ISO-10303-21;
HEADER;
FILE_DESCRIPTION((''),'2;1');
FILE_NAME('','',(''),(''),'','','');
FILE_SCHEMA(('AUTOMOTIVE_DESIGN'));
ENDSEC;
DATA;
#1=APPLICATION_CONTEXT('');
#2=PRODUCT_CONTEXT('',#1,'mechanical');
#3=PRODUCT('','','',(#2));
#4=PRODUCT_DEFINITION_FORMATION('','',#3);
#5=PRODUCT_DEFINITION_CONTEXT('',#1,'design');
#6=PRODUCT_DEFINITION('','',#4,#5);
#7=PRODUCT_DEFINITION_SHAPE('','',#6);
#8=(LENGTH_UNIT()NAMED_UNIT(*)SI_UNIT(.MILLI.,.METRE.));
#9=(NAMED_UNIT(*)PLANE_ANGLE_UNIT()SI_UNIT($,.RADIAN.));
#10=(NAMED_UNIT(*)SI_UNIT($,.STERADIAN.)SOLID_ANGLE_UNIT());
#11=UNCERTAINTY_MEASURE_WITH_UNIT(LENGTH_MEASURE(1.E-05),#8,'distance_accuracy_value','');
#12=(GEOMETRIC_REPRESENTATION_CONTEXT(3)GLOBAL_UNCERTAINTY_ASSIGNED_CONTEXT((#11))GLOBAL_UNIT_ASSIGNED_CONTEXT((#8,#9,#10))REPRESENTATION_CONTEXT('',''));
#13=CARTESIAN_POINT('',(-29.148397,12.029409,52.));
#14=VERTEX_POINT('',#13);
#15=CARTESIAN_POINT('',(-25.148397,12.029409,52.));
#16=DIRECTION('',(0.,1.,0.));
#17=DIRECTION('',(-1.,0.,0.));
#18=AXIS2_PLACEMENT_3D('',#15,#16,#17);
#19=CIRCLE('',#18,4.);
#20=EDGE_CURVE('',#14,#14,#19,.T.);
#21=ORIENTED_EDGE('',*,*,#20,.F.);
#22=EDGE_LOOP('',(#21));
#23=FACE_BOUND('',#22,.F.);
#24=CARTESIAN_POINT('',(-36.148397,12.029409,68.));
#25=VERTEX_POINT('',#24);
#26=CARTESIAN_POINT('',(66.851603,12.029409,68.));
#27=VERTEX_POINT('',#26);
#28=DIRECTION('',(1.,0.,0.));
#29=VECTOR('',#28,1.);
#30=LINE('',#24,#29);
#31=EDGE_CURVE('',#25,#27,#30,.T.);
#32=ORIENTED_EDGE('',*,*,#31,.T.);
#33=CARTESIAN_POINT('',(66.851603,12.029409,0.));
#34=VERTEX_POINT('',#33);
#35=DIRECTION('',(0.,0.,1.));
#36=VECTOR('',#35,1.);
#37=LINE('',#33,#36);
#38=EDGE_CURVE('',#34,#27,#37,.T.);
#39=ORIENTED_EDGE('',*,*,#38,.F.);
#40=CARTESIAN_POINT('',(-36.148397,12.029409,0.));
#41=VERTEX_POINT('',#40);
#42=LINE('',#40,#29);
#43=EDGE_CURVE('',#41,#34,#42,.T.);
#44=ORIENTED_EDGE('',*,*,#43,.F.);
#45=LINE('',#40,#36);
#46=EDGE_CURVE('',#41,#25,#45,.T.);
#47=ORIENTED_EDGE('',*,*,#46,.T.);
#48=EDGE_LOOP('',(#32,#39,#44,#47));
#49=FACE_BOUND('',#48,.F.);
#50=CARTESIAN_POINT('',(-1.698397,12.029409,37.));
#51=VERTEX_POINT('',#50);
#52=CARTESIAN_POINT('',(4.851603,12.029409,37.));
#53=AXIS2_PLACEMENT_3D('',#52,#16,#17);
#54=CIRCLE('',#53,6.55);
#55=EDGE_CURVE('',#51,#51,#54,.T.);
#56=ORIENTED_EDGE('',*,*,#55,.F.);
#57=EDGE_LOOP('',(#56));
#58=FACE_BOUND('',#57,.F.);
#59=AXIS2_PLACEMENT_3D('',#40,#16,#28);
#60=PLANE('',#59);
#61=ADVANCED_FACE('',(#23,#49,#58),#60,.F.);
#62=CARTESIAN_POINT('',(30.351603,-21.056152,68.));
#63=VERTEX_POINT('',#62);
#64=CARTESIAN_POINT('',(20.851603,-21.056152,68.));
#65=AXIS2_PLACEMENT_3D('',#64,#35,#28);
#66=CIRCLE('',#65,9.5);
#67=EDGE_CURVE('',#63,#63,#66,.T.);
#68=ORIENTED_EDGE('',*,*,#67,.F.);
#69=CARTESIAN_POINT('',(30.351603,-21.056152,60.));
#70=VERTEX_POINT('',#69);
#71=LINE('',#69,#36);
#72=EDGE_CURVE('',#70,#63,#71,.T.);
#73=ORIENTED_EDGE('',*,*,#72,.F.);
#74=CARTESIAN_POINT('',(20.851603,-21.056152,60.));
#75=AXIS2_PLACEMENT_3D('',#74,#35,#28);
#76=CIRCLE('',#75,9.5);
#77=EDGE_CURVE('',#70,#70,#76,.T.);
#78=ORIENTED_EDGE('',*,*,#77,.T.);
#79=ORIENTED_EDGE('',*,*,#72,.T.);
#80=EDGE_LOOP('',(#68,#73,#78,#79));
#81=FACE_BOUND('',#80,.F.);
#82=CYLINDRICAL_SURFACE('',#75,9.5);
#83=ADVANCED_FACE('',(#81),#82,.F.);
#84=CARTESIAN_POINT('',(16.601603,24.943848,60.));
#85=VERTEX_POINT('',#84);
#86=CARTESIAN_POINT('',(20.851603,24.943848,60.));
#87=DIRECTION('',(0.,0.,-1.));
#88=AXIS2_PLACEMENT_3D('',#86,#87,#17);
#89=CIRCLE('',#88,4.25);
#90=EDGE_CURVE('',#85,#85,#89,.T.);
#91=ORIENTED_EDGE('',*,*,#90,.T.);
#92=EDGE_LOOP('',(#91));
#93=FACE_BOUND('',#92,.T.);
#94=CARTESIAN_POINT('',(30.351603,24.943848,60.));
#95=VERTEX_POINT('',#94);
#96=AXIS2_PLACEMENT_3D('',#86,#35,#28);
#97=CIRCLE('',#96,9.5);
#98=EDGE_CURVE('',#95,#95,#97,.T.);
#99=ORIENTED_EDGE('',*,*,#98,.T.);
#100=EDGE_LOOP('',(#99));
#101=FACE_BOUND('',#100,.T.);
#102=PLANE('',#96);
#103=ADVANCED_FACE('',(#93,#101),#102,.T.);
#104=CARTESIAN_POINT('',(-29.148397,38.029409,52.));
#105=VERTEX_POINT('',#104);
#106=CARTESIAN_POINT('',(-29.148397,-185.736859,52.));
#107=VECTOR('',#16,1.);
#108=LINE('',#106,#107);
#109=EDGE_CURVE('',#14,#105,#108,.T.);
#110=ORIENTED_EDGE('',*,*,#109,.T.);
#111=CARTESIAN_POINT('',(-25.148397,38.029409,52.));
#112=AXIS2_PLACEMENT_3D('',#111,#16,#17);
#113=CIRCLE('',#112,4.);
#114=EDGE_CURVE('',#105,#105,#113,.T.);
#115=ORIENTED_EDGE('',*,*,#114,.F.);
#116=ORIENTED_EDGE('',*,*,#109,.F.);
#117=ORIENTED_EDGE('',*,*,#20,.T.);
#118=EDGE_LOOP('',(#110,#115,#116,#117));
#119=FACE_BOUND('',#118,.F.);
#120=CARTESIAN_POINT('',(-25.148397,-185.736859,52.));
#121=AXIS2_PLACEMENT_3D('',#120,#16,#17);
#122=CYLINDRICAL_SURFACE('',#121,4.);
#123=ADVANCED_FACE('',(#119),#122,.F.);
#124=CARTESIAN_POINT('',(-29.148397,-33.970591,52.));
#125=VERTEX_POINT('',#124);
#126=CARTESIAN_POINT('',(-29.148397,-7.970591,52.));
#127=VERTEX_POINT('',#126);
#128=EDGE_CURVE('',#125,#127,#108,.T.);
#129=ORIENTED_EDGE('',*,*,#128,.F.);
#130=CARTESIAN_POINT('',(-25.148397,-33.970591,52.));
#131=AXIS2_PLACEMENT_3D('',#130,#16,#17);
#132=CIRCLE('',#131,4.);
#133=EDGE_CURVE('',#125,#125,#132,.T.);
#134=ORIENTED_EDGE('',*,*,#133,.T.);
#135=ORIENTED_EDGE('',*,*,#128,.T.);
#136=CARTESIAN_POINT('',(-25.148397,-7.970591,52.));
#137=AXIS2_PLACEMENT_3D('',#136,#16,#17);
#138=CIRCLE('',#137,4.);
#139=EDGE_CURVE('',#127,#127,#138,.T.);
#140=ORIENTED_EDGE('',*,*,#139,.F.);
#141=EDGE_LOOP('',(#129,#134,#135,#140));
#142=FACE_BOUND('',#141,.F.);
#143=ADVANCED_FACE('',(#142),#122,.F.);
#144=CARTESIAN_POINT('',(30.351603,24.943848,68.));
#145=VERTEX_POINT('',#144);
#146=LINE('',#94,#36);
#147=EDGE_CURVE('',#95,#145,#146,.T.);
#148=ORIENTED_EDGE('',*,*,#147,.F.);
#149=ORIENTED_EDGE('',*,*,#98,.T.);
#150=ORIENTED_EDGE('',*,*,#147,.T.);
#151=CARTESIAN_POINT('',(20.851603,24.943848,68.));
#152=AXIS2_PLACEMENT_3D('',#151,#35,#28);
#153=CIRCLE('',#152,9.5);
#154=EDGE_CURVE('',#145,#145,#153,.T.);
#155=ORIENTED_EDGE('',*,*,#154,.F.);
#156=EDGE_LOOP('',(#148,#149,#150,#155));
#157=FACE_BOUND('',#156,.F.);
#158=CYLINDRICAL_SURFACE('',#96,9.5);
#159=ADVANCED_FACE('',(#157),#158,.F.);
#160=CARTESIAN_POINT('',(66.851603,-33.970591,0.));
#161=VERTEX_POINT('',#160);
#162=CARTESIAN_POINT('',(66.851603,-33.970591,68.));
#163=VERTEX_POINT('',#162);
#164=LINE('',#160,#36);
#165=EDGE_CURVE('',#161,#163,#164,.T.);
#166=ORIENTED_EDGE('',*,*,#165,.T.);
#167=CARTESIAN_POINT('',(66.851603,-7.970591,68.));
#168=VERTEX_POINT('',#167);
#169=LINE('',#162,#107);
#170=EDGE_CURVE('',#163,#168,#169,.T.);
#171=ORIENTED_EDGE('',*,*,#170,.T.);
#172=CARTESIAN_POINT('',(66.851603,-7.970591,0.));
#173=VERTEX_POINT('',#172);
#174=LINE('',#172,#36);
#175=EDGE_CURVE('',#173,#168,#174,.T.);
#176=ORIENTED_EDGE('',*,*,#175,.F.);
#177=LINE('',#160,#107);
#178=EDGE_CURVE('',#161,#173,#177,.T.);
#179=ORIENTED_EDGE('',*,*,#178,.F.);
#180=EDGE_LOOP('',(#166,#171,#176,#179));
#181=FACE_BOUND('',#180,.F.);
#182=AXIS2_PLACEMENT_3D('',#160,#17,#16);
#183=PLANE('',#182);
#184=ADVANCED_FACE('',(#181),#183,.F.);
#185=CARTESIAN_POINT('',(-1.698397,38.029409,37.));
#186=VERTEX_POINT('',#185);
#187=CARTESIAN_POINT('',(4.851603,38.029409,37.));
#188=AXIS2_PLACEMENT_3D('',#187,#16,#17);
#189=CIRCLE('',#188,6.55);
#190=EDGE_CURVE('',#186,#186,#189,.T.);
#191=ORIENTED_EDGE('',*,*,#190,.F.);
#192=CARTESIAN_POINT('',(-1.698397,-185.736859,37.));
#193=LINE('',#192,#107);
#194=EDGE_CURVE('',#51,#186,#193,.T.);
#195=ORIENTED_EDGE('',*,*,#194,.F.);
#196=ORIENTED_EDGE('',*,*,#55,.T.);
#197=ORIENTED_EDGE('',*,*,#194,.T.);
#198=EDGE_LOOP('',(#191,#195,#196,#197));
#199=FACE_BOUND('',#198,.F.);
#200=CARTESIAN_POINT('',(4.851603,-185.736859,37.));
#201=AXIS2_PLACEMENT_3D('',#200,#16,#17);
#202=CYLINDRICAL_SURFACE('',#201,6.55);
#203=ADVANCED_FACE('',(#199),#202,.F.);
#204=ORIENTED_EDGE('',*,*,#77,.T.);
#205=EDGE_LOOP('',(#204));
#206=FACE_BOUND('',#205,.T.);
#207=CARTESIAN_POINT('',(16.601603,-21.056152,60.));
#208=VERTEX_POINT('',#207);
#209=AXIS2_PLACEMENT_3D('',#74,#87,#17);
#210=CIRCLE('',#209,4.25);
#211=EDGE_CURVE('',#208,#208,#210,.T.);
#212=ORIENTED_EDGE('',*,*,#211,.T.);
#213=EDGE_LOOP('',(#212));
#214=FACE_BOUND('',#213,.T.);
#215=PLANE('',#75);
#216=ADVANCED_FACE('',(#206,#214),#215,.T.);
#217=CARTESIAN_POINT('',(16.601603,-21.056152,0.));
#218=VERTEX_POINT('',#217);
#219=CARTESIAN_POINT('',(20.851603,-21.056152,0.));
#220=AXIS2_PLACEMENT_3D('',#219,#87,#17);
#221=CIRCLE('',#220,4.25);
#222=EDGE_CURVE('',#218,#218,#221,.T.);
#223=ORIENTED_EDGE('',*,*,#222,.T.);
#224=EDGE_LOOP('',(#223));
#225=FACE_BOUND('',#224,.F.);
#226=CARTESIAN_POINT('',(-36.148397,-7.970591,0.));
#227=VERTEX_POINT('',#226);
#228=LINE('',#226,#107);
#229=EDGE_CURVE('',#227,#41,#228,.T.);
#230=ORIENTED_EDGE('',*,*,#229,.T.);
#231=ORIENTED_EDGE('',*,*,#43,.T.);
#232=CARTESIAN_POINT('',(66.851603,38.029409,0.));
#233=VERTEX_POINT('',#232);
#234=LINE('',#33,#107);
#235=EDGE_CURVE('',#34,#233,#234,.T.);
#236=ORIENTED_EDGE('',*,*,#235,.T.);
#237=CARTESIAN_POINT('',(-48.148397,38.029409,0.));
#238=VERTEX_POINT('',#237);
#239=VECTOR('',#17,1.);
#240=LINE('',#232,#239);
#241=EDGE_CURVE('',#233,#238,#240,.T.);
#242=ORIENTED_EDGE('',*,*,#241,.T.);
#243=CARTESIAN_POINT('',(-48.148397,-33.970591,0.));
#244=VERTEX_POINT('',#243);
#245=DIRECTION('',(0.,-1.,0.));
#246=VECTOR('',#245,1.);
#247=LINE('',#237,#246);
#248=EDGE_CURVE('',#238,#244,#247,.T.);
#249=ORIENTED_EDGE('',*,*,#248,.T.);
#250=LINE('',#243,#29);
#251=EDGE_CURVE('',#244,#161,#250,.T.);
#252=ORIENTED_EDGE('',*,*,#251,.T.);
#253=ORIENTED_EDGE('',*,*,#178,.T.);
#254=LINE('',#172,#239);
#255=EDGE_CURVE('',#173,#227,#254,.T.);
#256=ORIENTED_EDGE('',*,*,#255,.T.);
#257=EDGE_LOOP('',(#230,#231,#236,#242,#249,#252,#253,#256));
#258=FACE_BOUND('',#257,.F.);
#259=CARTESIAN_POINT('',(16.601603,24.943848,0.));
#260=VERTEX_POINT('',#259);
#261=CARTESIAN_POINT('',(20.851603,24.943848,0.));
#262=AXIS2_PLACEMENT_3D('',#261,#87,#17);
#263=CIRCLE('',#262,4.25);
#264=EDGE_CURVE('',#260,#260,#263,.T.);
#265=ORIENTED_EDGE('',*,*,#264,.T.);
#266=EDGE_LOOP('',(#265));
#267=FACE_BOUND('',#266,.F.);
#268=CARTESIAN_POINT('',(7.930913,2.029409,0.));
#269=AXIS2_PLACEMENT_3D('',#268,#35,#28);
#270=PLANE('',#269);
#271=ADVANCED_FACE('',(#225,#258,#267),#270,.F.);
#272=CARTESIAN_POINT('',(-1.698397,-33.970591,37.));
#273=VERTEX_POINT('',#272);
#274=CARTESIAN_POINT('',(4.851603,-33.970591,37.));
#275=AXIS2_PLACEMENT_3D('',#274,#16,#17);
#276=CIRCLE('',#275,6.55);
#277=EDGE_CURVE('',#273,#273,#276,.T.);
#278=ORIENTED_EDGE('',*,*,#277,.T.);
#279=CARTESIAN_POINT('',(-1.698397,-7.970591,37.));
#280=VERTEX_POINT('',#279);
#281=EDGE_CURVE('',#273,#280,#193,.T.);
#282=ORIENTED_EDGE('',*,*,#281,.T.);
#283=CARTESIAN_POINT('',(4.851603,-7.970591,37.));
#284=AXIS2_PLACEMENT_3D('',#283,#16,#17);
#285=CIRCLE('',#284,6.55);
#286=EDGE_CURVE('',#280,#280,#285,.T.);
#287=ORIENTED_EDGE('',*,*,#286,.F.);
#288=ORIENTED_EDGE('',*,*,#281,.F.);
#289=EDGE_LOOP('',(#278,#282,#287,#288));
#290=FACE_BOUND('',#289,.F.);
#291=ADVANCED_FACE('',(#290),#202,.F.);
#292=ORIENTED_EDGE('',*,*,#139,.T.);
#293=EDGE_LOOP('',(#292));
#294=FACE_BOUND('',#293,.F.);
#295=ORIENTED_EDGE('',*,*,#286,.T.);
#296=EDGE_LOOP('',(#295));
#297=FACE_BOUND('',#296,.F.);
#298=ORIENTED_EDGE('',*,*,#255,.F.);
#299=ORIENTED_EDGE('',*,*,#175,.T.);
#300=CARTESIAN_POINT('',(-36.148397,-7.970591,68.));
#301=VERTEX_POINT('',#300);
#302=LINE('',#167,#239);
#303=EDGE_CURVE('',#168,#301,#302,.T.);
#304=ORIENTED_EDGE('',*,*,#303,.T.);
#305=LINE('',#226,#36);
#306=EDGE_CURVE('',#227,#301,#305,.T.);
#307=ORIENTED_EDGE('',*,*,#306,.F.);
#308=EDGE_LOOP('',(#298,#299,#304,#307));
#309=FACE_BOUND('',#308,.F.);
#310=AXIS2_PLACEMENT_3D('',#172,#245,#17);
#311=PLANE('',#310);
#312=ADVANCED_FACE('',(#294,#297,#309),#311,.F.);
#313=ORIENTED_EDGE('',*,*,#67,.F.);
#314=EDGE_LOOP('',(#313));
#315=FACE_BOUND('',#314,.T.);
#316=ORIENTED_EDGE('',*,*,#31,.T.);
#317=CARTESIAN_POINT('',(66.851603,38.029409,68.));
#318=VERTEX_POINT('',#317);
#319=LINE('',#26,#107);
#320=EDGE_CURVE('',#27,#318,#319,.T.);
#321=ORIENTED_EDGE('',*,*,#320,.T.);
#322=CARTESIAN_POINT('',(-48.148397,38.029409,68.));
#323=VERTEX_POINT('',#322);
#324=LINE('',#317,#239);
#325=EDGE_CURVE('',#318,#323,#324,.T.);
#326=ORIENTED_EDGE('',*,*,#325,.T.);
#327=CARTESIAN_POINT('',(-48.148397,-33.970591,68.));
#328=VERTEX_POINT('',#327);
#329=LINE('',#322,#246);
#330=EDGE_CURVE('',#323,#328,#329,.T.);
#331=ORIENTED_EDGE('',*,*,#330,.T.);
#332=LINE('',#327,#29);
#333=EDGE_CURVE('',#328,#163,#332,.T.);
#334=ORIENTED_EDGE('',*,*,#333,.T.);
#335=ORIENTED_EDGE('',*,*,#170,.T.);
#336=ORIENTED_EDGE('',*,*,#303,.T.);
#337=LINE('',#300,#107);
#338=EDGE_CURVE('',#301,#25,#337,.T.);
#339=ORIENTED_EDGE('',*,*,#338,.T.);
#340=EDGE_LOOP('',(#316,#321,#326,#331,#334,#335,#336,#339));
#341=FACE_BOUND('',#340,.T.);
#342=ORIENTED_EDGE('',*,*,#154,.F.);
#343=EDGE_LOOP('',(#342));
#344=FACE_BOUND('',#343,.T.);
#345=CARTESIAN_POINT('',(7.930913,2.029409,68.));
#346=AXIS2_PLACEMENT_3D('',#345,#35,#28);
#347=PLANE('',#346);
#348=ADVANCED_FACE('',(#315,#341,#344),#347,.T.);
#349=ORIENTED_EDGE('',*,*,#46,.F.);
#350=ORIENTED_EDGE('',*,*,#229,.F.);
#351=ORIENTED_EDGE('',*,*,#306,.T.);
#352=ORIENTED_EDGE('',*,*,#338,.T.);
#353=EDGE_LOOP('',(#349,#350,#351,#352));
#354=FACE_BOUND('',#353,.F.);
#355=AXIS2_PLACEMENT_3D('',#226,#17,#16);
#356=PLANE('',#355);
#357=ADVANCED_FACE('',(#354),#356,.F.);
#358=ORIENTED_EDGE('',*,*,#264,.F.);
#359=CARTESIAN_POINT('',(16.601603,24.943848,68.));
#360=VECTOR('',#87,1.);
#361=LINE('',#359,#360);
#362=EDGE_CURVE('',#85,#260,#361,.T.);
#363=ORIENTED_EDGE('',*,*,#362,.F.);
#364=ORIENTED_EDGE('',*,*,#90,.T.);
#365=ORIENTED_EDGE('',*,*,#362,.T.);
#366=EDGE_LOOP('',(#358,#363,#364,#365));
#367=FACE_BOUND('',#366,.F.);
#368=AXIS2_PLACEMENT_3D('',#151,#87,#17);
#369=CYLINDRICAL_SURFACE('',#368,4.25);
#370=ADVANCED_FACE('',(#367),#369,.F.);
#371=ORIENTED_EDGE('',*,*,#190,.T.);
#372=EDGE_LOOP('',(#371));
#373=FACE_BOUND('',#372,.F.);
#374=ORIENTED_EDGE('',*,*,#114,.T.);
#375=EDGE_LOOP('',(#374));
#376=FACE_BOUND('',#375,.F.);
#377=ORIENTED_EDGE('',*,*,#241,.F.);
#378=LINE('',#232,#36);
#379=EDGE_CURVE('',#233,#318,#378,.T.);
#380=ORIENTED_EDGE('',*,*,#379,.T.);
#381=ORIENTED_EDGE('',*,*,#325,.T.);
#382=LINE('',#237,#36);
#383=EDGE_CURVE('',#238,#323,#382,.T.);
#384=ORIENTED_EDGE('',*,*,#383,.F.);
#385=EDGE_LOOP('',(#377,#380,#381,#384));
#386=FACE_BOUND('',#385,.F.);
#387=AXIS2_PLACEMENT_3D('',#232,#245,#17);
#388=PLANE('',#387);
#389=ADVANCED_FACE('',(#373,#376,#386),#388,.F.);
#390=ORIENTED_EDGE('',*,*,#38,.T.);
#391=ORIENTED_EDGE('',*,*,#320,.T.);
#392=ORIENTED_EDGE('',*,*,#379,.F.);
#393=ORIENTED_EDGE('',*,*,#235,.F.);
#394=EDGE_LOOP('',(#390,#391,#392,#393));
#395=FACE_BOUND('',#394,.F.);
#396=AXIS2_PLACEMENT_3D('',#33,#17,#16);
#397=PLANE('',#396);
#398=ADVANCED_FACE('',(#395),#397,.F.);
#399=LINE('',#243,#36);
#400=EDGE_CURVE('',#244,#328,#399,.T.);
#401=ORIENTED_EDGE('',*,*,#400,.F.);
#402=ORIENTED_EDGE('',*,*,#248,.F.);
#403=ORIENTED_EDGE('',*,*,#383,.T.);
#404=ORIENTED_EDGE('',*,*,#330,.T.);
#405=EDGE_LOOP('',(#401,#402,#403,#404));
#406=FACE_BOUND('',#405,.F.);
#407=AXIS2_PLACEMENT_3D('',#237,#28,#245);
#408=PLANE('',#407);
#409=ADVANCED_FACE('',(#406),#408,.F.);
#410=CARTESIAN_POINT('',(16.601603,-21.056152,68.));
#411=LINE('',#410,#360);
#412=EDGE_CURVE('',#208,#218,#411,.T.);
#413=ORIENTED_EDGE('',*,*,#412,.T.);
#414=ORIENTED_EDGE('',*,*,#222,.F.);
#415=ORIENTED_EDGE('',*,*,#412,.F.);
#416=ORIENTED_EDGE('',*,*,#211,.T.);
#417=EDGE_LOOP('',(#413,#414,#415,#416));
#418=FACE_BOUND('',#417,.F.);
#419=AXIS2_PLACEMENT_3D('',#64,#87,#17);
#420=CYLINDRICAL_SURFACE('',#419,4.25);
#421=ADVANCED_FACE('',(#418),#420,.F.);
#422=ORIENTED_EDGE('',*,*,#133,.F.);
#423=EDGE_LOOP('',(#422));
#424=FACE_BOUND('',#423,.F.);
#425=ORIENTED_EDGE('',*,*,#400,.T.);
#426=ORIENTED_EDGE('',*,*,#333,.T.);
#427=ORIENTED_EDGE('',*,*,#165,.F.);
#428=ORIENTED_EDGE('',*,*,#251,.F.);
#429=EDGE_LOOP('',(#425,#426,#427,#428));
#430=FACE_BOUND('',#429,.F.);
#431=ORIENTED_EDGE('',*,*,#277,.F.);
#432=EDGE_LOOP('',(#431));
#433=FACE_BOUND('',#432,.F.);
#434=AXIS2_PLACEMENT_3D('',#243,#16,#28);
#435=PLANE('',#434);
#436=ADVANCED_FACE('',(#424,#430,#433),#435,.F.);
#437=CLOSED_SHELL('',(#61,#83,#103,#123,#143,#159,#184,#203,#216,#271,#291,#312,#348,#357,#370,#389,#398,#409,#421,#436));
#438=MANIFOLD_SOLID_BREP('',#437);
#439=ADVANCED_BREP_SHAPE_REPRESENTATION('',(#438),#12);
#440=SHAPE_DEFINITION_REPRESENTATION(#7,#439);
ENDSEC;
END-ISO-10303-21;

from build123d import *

# Parameters (mm, degrees)
F1_DEPTH       = 68
F3_D           = 8.5
F3_CBORE_D     = 19
F3_CBORE_DEPTH = 8
F5_D           = 13.1
F7_D           = 8


with BuildPart() as f1:
    # F0 (on Top) → F1 (new body)
    with BuildSketch(Plane.XY):
        Polygon((66.851603, 12.029409), (66.851603, 38.029409), (-48.148397, 38.029409), (-48.148397, -33.970591), (66.851603, -33.970591), (66.851603, -7.970591), (-36.148397, -7.970591), (-36.148397, 12.029409), align=None)
    extrude(amount=F1_DEPTH)

    # F3 (through all)
    with Locations(Plane.XY.offset(68)):
        with Locations((20.851603, 24.943848), (20.851603, -21.056152)):
            CounterBoreHole(F3_D / 2, F3_CBORE_D / 2, F3_CBORE_DEPTH)

    # F5 (through all)
    with Locations(Plane.XZ.offset(33.970591)):
        with Locations((4.851603, 37)):
            Hole(F5_D / 2)

    # F7 (through all)
    with Locations(Plane.XZ.offset(33.970591)):
        with Locations((-25.148397, 52)):
            Hole(F7_D / 2)


solid = f1.part
